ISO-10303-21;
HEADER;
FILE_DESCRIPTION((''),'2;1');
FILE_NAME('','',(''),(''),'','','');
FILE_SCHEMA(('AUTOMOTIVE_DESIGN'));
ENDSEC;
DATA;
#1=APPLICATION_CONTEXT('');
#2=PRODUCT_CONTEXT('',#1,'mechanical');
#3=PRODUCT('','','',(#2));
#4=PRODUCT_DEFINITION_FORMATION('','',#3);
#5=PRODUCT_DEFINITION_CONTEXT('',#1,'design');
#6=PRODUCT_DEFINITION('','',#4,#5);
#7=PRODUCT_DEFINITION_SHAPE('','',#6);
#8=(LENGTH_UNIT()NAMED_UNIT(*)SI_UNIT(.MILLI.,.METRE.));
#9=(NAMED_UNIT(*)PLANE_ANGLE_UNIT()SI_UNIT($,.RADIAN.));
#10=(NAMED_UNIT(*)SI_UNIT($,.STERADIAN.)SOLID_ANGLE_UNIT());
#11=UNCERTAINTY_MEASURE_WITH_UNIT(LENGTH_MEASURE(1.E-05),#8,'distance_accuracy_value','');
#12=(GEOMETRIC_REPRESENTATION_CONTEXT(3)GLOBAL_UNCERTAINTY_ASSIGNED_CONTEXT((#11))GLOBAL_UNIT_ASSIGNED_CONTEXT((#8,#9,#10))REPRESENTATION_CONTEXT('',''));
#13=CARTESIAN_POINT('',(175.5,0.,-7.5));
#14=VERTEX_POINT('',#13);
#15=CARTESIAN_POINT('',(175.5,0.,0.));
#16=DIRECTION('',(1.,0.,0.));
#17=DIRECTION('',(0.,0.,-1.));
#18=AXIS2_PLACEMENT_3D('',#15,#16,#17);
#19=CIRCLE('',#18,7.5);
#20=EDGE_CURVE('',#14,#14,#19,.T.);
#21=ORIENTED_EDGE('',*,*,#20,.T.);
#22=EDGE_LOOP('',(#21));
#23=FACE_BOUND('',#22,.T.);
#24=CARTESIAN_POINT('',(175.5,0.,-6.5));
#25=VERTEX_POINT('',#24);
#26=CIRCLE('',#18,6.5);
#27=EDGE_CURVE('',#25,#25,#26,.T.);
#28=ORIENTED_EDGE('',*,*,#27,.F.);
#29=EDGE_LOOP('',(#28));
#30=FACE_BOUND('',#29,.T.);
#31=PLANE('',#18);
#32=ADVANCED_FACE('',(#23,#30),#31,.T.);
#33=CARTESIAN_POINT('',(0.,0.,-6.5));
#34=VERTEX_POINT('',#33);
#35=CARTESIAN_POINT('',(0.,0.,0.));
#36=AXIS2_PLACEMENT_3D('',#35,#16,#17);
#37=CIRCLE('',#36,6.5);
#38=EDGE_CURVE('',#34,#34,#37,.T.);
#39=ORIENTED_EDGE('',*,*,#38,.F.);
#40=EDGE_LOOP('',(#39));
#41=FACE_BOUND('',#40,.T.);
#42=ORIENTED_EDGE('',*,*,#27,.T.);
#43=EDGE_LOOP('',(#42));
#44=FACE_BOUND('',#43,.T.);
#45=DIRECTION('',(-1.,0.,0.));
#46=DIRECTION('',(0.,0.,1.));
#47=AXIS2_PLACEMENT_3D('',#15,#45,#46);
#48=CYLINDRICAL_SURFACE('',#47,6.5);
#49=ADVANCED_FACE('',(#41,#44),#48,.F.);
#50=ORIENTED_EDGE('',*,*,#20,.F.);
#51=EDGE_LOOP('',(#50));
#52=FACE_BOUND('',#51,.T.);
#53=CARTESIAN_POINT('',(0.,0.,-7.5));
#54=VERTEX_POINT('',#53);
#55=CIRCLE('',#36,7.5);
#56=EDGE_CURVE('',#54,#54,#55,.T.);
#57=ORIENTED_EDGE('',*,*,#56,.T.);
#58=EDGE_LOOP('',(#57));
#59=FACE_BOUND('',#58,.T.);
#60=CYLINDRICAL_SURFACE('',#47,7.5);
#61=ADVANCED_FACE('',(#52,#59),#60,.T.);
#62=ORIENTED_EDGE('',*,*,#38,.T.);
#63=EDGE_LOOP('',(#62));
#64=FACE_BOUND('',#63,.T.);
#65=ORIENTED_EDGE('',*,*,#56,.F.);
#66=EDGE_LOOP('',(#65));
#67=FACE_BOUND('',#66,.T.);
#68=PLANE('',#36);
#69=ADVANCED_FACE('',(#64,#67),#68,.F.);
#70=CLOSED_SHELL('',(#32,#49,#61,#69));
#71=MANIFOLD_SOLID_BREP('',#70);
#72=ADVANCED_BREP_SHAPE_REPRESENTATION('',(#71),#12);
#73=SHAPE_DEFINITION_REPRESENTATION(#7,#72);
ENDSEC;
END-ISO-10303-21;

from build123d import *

# Parameters (mm, degrees)
SKETCH_1_R      = 7.5
SKETCH_1_R_2    = 6.5
EXTRUDE_1_DEPTH = 175.5


with BuildPart() as part:
    # 草图1 → 凸台-拉伸1 (new body)
    with BuildSketch(Plane(origin=(0, 0, 0), x_dir=(0, 0, -1), z_dir=(1, 0, 0))):
        Circle(SKETCH_1_R)
        Circle(SKETCH_1_R_2, mode=Mode.SUBTRACT)
    extrude(amount=EXTRUDE_1_DEPTH)


solid = part.part
